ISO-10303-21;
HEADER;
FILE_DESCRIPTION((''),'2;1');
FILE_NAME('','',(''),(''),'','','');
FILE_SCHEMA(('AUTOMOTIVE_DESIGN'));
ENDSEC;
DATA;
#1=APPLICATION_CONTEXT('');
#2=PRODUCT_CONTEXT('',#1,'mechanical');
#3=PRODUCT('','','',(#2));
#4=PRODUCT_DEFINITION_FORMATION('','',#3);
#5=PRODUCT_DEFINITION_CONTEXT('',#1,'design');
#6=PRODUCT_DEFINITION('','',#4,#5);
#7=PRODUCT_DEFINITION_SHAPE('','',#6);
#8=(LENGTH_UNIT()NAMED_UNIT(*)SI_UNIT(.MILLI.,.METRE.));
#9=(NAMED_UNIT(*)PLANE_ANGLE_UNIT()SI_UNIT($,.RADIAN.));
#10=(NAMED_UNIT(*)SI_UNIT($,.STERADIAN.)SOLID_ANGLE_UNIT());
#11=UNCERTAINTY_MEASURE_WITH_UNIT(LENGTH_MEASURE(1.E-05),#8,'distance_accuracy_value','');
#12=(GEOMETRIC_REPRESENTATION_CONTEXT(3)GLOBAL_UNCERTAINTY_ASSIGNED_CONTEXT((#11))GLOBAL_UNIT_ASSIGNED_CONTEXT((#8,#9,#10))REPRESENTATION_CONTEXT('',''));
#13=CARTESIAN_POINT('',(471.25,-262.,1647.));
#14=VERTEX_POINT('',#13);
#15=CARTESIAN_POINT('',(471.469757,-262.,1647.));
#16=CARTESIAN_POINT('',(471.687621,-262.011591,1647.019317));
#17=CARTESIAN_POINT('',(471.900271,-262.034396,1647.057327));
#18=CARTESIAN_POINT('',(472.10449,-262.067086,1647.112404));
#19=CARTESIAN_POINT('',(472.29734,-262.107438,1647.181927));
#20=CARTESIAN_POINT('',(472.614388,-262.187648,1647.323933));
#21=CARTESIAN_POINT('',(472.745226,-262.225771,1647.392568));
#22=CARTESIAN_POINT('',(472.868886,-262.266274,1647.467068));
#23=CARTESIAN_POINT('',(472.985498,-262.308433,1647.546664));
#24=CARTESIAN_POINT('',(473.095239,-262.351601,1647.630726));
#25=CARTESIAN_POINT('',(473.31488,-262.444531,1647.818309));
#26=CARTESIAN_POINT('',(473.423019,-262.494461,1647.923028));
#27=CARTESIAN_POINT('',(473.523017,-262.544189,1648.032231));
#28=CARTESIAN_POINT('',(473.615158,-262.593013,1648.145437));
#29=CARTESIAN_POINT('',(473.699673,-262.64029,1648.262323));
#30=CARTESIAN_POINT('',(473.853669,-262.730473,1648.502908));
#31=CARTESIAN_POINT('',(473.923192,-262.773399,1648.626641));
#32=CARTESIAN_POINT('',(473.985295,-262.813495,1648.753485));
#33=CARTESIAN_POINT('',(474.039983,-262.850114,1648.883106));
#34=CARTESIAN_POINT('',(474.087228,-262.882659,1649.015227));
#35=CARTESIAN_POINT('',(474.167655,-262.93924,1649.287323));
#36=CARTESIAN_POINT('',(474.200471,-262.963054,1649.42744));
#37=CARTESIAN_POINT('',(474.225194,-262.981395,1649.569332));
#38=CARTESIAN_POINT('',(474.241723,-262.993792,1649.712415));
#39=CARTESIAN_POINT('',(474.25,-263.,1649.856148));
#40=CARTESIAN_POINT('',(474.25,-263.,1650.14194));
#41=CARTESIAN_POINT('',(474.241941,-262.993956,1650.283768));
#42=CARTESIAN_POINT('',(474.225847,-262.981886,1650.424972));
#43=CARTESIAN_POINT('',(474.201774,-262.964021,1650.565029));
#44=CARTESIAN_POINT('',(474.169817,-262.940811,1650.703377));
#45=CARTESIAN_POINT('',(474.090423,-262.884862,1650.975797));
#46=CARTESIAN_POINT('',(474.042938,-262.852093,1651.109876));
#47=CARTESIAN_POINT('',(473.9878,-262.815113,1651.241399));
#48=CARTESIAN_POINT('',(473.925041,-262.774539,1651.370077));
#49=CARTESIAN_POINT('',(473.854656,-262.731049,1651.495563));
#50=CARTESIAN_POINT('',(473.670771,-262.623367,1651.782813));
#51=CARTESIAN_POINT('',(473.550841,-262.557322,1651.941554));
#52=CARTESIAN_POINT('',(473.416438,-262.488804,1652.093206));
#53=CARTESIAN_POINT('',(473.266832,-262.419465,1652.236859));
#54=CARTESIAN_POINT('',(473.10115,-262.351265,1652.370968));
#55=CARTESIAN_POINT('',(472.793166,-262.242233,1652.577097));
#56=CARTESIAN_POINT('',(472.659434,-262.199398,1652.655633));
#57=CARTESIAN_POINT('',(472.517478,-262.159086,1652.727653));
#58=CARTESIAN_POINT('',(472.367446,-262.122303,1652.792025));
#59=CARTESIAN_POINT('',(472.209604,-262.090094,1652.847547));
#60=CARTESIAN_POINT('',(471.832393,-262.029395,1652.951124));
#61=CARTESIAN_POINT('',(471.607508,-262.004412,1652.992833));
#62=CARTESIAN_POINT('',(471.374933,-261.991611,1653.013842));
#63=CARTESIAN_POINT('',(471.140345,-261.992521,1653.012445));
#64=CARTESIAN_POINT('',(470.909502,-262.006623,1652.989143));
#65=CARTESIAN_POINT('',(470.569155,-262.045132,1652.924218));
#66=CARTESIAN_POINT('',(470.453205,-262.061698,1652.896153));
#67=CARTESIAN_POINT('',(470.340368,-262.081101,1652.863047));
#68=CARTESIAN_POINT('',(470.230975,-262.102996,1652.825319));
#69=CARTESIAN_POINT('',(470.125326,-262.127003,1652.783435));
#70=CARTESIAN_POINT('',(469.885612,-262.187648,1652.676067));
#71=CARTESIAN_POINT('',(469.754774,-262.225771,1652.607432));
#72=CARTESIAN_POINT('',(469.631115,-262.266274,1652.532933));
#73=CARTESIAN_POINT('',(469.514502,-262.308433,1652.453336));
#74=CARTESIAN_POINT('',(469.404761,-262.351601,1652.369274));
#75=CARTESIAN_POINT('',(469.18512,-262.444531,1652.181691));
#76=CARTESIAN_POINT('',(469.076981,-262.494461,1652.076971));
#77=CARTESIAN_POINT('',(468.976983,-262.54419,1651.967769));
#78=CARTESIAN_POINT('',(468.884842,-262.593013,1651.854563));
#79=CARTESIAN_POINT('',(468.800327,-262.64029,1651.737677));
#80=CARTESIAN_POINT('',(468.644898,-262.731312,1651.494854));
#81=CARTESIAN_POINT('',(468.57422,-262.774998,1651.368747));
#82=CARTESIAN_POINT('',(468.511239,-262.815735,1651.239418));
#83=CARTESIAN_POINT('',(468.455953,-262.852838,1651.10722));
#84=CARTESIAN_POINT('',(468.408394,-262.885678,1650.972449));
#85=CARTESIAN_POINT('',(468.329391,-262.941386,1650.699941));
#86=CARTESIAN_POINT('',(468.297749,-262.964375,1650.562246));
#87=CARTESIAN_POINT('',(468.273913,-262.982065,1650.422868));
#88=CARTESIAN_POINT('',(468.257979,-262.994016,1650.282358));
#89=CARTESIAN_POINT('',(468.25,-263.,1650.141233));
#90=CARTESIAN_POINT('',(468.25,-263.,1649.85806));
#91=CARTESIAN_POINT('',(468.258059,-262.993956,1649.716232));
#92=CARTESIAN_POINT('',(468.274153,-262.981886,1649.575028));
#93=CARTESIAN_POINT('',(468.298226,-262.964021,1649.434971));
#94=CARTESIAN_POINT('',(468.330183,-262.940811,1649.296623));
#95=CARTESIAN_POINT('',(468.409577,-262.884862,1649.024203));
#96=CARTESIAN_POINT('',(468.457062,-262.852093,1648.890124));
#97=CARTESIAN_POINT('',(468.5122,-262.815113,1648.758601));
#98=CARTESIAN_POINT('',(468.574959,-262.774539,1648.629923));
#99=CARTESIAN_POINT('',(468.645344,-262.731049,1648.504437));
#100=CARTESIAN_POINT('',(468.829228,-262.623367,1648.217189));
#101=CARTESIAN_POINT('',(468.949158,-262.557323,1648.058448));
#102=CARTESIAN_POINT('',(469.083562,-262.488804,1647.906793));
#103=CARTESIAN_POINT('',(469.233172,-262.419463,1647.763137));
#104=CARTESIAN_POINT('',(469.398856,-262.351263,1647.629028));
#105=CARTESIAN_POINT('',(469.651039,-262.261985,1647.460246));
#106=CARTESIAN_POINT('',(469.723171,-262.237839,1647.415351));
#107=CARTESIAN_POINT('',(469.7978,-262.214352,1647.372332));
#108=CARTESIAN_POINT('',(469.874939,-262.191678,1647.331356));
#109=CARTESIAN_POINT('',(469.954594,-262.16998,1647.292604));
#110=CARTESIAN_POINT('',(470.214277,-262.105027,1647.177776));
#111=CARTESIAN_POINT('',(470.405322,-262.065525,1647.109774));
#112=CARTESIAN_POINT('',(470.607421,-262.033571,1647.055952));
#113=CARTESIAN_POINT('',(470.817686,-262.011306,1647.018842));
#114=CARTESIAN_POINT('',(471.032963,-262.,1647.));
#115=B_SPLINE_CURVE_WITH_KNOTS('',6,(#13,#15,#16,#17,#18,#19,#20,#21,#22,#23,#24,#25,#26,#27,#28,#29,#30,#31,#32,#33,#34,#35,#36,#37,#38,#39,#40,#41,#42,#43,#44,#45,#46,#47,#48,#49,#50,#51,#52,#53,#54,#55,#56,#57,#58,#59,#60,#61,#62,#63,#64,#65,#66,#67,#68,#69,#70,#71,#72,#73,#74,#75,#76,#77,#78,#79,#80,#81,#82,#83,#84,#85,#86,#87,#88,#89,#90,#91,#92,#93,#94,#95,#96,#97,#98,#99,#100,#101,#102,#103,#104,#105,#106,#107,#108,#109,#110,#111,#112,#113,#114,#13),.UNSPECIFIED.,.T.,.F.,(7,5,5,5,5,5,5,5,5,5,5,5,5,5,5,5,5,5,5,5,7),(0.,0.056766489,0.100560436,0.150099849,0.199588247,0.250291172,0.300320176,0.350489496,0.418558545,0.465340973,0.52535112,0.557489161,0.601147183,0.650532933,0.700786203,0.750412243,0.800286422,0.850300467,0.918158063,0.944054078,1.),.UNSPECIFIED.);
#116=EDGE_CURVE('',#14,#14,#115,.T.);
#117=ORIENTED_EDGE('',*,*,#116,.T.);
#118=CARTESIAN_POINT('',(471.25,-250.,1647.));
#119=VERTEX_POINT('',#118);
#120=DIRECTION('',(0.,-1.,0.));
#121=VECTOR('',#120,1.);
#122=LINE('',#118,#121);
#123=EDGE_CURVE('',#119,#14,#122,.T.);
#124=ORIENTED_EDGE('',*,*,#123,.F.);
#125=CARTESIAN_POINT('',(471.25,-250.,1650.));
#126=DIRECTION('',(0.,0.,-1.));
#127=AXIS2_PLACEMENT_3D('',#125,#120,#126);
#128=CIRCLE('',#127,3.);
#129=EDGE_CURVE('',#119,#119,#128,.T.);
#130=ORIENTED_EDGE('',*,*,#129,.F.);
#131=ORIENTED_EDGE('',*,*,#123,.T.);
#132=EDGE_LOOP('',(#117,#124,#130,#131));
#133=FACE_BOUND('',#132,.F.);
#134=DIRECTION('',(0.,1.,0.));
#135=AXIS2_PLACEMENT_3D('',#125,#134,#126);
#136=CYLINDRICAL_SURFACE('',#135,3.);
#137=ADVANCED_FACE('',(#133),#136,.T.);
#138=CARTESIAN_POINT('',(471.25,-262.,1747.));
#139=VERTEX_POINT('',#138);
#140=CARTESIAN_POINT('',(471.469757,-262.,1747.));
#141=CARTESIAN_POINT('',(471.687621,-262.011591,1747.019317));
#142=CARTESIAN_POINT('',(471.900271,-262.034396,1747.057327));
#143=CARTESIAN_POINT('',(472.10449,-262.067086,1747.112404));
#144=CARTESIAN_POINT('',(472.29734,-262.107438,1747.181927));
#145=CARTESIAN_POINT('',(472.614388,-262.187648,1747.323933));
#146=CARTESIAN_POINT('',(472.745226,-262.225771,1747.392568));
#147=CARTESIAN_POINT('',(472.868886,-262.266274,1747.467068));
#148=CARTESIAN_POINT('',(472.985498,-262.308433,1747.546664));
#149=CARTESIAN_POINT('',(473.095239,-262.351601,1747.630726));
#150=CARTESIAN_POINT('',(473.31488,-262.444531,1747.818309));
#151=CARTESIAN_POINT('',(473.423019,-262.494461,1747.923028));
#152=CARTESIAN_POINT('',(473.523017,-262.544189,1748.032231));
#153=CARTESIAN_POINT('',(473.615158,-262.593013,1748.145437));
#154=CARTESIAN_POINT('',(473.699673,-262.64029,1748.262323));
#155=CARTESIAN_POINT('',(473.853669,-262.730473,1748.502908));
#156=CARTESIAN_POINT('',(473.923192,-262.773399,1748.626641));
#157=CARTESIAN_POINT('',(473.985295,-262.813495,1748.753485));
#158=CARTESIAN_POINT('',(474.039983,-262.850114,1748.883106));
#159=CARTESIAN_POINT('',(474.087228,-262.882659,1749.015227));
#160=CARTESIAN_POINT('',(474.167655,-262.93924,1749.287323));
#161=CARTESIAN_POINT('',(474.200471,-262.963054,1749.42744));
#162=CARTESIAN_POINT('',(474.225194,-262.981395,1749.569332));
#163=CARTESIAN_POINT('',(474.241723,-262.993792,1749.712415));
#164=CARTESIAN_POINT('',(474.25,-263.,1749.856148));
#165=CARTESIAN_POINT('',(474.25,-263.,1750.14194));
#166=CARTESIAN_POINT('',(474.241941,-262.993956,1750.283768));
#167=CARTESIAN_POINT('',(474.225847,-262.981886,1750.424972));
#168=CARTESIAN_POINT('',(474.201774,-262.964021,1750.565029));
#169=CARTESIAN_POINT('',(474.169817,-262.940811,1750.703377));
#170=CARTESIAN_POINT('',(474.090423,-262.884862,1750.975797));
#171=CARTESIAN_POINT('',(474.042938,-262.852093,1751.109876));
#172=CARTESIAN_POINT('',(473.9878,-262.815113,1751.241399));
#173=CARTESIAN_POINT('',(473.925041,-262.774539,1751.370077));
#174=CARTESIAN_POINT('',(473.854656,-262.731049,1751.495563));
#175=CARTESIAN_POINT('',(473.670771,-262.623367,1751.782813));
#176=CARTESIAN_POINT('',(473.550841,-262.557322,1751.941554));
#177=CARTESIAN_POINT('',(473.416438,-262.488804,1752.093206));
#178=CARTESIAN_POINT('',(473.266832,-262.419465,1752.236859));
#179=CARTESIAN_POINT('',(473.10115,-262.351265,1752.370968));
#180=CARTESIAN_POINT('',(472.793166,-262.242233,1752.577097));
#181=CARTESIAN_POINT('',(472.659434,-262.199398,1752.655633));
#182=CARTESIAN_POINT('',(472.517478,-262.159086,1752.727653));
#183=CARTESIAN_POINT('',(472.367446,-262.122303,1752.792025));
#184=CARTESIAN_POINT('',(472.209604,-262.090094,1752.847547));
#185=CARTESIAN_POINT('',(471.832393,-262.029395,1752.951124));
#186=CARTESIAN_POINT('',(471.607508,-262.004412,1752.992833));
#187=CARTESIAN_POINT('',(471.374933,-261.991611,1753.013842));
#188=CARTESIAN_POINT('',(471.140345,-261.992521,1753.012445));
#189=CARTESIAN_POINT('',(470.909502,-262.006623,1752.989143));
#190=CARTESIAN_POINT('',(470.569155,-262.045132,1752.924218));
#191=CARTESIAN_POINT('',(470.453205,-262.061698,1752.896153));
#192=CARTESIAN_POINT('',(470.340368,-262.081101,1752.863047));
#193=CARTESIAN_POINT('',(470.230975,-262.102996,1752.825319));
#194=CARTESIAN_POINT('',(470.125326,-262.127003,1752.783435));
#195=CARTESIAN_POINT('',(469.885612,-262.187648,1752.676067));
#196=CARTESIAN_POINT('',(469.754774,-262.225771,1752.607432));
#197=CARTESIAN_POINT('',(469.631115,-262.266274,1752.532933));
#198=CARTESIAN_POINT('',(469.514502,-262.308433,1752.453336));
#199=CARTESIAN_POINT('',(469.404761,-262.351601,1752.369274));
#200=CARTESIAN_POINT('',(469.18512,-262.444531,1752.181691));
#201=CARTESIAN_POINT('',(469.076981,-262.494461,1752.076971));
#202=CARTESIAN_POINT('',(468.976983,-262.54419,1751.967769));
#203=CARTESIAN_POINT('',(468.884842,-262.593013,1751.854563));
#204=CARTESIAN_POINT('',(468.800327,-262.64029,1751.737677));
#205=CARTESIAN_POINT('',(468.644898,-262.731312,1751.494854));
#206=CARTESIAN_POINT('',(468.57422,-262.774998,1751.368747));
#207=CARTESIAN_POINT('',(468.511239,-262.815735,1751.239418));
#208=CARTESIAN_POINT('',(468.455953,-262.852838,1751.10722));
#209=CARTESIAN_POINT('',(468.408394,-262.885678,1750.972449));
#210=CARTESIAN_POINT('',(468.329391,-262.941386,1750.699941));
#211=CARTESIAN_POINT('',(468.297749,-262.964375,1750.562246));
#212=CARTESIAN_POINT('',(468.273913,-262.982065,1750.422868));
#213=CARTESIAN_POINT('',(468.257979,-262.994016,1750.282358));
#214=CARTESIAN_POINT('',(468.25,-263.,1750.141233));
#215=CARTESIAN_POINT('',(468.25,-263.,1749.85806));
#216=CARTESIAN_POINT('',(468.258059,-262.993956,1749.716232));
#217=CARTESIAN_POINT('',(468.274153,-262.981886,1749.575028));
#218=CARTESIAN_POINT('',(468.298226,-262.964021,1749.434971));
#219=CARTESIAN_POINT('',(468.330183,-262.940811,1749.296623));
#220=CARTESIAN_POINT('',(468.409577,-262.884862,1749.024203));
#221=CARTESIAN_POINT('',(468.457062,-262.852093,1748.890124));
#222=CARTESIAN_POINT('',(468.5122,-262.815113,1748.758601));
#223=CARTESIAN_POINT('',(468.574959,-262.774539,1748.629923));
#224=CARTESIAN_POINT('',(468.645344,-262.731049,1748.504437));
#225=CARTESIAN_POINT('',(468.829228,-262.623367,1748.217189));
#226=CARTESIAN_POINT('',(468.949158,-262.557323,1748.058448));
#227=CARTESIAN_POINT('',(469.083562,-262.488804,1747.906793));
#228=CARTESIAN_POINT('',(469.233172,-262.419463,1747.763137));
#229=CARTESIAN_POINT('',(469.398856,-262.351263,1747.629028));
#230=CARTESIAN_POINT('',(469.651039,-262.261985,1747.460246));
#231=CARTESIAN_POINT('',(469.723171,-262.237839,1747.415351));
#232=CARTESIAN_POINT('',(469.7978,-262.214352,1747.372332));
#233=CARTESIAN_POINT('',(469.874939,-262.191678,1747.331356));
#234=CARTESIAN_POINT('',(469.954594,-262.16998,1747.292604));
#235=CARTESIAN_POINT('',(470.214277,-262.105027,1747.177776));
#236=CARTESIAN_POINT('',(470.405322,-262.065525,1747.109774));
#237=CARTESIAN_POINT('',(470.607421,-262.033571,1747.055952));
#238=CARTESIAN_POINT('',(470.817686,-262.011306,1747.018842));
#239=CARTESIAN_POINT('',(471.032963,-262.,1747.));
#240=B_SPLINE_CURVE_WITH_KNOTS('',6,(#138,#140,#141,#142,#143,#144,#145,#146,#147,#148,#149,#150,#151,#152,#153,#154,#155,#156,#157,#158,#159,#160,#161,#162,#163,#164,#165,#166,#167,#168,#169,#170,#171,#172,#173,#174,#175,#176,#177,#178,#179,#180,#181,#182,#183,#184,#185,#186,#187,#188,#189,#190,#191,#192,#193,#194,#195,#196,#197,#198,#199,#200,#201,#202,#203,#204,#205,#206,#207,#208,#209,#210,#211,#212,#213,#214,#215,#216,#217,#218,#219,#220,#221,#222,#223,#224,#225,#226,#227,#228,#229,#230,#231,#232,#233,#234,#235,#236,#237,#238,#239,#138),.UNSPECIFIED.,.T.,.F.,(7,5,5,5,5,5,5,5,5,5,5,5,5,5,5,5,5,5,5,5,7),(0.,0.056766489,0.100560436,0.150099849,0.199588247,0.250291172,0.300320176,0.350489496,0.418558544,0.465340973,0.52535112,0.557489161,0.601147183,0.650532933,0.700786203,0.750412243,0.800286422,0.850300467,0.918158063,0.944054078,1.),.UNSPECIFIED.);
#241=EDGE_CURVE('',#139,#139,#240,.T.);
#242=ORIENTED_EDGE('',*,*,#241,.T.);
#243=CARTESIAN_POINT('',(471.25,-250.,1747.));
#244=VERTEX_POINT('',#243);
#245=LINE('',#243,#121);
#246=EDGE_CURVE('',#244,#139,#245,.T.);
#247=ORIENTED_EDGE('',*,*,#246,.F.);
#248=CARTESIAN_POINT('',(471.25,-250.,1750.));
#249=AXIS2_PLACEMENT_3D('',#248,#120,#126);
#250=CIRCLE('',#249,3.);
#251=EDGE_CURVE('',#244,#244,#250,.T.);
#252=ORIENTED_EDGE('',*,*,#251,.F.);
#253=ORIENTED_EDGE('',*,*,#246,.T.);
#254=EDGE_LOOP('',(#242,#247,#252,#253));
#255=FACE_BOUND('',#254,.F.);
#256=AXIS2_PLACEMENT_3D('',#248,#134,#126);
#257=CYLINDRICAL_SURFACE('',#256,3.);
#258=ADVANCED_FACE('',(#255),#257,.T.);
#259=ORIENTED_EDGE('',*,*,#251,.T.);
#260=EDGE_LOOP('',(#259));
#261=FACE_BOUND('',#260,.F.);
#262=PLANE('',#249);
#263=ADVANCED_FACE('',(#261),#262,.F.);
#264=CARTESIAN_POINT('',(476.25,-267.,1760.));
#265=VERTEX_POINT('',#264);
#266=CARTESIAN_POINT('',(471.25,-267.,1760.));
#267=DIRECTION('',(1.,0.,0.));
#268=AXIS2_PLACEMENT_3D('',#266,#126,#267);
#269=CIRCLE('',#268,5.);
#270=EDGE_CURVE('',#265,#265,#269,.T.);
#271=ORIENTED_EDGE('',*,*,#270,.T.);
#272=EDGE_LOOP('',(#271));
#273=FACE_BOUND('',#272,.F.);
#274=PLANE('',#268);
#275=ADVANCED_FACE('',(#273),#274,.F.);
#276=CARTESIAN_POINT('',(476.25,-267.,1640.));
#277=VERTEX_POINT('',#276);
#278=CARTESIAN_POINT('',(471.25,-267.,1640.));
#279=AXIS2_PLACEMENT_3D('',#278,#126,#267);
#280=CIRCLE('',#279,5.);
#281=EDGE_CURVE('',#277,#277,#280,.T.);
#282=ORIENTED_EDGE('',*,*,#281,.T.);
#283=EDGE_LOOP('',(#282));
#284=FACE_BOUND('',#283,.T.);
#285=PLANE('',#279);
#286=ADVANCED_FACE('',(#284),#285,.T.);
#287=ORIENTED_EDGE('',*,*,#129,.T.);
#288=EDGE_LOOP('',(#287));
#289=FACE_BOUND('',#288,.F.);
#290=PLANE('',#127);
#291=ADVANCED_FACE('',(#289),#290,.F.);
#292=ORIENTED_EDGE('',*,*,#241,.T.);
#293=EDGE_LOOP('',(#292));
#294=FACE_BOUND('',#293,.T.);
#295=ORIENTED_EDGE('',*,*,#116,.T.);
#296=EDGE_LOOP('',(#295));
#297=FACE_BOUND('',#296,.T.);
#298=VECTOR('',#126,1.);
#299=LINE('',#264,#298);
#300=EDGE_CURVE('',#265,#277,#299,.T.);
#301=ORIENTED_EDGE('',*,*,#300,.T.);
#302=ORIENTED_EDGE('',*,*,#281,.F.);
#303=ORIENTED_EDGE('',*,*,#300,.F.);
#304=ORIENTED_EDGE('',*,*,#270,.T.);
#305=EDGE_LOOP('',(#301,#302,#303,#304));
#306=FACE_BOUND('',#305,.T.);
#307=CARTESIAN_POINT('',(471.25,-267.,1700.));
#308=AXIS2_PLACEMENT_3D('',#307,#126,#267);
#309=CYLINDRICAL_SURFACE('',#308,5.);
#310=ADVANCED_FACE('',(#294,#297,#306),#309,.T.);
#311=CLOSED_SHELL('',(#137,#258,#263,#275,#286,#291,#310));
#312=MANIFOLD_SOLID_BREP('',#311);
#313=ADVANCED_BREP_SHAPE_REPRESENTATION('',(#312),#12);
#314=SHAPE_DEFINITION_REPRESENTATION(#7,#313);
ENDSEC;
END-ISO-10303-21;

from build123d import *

# Parameters (mm, degrees)
CLONE2D036_R           = 5
EXTRUDE084143376_DEPTH = 60
CLONE2D034_R           = 3
EXTRUDE084143377_DEPTH = 17
CLONE2D035_R           = 3
EXTRUDE084143375_DEPTH = 17


with BuildPart() as extrude084143376:
    # Clone2D036 (on Sketch) → Extrude084143376 (new body, symmetric)
    with BuildSketch(Plane(origin=(471.25, -267, 0), x_dir=(1, 0, 0), z_dir=(0, 0, -1))):
        Circle(CLONE2D036_R)
    extrude(amount=EXTRUDE084143376_DEPTH, both=True)


with BuildPart() as extrude084143377:
    # Clone2D034 (on Sketch) → Extrude084143377 (new body)
    with BuildSketch(Plane(origin=(471.25, -250, -50), x_dir=(0, 0, -1), z_dir=(0, -1, 0))):
        Circle(CLONE2D034_R)
    extrude(amount=EXTRUDE084143377_DEPTH)


with BuildPart() as clone005:
    # Clone2D035 (on Sketch) → Extrude084143375 (new body)
    with BuildSketch(Plane(origin=(471.25, -250, 50), x_dir=(0, 0, -1), z_dir=(0, -1, 0))):
        Circle(CLONE2D035_R)
    extrude(amount=EXTRUDE084143375_DEPTH)

    # Fusion011: union Extrude084143376, Extrude084143377
    add(extrude084143376.part)
    add(extrude084143377.part)


with BuildPart() as clone005_1:
    # Clone005 placement: moved
    add(clone005.part.moved(Location((0, 0, 1700))))


solid = clone005_1.part
